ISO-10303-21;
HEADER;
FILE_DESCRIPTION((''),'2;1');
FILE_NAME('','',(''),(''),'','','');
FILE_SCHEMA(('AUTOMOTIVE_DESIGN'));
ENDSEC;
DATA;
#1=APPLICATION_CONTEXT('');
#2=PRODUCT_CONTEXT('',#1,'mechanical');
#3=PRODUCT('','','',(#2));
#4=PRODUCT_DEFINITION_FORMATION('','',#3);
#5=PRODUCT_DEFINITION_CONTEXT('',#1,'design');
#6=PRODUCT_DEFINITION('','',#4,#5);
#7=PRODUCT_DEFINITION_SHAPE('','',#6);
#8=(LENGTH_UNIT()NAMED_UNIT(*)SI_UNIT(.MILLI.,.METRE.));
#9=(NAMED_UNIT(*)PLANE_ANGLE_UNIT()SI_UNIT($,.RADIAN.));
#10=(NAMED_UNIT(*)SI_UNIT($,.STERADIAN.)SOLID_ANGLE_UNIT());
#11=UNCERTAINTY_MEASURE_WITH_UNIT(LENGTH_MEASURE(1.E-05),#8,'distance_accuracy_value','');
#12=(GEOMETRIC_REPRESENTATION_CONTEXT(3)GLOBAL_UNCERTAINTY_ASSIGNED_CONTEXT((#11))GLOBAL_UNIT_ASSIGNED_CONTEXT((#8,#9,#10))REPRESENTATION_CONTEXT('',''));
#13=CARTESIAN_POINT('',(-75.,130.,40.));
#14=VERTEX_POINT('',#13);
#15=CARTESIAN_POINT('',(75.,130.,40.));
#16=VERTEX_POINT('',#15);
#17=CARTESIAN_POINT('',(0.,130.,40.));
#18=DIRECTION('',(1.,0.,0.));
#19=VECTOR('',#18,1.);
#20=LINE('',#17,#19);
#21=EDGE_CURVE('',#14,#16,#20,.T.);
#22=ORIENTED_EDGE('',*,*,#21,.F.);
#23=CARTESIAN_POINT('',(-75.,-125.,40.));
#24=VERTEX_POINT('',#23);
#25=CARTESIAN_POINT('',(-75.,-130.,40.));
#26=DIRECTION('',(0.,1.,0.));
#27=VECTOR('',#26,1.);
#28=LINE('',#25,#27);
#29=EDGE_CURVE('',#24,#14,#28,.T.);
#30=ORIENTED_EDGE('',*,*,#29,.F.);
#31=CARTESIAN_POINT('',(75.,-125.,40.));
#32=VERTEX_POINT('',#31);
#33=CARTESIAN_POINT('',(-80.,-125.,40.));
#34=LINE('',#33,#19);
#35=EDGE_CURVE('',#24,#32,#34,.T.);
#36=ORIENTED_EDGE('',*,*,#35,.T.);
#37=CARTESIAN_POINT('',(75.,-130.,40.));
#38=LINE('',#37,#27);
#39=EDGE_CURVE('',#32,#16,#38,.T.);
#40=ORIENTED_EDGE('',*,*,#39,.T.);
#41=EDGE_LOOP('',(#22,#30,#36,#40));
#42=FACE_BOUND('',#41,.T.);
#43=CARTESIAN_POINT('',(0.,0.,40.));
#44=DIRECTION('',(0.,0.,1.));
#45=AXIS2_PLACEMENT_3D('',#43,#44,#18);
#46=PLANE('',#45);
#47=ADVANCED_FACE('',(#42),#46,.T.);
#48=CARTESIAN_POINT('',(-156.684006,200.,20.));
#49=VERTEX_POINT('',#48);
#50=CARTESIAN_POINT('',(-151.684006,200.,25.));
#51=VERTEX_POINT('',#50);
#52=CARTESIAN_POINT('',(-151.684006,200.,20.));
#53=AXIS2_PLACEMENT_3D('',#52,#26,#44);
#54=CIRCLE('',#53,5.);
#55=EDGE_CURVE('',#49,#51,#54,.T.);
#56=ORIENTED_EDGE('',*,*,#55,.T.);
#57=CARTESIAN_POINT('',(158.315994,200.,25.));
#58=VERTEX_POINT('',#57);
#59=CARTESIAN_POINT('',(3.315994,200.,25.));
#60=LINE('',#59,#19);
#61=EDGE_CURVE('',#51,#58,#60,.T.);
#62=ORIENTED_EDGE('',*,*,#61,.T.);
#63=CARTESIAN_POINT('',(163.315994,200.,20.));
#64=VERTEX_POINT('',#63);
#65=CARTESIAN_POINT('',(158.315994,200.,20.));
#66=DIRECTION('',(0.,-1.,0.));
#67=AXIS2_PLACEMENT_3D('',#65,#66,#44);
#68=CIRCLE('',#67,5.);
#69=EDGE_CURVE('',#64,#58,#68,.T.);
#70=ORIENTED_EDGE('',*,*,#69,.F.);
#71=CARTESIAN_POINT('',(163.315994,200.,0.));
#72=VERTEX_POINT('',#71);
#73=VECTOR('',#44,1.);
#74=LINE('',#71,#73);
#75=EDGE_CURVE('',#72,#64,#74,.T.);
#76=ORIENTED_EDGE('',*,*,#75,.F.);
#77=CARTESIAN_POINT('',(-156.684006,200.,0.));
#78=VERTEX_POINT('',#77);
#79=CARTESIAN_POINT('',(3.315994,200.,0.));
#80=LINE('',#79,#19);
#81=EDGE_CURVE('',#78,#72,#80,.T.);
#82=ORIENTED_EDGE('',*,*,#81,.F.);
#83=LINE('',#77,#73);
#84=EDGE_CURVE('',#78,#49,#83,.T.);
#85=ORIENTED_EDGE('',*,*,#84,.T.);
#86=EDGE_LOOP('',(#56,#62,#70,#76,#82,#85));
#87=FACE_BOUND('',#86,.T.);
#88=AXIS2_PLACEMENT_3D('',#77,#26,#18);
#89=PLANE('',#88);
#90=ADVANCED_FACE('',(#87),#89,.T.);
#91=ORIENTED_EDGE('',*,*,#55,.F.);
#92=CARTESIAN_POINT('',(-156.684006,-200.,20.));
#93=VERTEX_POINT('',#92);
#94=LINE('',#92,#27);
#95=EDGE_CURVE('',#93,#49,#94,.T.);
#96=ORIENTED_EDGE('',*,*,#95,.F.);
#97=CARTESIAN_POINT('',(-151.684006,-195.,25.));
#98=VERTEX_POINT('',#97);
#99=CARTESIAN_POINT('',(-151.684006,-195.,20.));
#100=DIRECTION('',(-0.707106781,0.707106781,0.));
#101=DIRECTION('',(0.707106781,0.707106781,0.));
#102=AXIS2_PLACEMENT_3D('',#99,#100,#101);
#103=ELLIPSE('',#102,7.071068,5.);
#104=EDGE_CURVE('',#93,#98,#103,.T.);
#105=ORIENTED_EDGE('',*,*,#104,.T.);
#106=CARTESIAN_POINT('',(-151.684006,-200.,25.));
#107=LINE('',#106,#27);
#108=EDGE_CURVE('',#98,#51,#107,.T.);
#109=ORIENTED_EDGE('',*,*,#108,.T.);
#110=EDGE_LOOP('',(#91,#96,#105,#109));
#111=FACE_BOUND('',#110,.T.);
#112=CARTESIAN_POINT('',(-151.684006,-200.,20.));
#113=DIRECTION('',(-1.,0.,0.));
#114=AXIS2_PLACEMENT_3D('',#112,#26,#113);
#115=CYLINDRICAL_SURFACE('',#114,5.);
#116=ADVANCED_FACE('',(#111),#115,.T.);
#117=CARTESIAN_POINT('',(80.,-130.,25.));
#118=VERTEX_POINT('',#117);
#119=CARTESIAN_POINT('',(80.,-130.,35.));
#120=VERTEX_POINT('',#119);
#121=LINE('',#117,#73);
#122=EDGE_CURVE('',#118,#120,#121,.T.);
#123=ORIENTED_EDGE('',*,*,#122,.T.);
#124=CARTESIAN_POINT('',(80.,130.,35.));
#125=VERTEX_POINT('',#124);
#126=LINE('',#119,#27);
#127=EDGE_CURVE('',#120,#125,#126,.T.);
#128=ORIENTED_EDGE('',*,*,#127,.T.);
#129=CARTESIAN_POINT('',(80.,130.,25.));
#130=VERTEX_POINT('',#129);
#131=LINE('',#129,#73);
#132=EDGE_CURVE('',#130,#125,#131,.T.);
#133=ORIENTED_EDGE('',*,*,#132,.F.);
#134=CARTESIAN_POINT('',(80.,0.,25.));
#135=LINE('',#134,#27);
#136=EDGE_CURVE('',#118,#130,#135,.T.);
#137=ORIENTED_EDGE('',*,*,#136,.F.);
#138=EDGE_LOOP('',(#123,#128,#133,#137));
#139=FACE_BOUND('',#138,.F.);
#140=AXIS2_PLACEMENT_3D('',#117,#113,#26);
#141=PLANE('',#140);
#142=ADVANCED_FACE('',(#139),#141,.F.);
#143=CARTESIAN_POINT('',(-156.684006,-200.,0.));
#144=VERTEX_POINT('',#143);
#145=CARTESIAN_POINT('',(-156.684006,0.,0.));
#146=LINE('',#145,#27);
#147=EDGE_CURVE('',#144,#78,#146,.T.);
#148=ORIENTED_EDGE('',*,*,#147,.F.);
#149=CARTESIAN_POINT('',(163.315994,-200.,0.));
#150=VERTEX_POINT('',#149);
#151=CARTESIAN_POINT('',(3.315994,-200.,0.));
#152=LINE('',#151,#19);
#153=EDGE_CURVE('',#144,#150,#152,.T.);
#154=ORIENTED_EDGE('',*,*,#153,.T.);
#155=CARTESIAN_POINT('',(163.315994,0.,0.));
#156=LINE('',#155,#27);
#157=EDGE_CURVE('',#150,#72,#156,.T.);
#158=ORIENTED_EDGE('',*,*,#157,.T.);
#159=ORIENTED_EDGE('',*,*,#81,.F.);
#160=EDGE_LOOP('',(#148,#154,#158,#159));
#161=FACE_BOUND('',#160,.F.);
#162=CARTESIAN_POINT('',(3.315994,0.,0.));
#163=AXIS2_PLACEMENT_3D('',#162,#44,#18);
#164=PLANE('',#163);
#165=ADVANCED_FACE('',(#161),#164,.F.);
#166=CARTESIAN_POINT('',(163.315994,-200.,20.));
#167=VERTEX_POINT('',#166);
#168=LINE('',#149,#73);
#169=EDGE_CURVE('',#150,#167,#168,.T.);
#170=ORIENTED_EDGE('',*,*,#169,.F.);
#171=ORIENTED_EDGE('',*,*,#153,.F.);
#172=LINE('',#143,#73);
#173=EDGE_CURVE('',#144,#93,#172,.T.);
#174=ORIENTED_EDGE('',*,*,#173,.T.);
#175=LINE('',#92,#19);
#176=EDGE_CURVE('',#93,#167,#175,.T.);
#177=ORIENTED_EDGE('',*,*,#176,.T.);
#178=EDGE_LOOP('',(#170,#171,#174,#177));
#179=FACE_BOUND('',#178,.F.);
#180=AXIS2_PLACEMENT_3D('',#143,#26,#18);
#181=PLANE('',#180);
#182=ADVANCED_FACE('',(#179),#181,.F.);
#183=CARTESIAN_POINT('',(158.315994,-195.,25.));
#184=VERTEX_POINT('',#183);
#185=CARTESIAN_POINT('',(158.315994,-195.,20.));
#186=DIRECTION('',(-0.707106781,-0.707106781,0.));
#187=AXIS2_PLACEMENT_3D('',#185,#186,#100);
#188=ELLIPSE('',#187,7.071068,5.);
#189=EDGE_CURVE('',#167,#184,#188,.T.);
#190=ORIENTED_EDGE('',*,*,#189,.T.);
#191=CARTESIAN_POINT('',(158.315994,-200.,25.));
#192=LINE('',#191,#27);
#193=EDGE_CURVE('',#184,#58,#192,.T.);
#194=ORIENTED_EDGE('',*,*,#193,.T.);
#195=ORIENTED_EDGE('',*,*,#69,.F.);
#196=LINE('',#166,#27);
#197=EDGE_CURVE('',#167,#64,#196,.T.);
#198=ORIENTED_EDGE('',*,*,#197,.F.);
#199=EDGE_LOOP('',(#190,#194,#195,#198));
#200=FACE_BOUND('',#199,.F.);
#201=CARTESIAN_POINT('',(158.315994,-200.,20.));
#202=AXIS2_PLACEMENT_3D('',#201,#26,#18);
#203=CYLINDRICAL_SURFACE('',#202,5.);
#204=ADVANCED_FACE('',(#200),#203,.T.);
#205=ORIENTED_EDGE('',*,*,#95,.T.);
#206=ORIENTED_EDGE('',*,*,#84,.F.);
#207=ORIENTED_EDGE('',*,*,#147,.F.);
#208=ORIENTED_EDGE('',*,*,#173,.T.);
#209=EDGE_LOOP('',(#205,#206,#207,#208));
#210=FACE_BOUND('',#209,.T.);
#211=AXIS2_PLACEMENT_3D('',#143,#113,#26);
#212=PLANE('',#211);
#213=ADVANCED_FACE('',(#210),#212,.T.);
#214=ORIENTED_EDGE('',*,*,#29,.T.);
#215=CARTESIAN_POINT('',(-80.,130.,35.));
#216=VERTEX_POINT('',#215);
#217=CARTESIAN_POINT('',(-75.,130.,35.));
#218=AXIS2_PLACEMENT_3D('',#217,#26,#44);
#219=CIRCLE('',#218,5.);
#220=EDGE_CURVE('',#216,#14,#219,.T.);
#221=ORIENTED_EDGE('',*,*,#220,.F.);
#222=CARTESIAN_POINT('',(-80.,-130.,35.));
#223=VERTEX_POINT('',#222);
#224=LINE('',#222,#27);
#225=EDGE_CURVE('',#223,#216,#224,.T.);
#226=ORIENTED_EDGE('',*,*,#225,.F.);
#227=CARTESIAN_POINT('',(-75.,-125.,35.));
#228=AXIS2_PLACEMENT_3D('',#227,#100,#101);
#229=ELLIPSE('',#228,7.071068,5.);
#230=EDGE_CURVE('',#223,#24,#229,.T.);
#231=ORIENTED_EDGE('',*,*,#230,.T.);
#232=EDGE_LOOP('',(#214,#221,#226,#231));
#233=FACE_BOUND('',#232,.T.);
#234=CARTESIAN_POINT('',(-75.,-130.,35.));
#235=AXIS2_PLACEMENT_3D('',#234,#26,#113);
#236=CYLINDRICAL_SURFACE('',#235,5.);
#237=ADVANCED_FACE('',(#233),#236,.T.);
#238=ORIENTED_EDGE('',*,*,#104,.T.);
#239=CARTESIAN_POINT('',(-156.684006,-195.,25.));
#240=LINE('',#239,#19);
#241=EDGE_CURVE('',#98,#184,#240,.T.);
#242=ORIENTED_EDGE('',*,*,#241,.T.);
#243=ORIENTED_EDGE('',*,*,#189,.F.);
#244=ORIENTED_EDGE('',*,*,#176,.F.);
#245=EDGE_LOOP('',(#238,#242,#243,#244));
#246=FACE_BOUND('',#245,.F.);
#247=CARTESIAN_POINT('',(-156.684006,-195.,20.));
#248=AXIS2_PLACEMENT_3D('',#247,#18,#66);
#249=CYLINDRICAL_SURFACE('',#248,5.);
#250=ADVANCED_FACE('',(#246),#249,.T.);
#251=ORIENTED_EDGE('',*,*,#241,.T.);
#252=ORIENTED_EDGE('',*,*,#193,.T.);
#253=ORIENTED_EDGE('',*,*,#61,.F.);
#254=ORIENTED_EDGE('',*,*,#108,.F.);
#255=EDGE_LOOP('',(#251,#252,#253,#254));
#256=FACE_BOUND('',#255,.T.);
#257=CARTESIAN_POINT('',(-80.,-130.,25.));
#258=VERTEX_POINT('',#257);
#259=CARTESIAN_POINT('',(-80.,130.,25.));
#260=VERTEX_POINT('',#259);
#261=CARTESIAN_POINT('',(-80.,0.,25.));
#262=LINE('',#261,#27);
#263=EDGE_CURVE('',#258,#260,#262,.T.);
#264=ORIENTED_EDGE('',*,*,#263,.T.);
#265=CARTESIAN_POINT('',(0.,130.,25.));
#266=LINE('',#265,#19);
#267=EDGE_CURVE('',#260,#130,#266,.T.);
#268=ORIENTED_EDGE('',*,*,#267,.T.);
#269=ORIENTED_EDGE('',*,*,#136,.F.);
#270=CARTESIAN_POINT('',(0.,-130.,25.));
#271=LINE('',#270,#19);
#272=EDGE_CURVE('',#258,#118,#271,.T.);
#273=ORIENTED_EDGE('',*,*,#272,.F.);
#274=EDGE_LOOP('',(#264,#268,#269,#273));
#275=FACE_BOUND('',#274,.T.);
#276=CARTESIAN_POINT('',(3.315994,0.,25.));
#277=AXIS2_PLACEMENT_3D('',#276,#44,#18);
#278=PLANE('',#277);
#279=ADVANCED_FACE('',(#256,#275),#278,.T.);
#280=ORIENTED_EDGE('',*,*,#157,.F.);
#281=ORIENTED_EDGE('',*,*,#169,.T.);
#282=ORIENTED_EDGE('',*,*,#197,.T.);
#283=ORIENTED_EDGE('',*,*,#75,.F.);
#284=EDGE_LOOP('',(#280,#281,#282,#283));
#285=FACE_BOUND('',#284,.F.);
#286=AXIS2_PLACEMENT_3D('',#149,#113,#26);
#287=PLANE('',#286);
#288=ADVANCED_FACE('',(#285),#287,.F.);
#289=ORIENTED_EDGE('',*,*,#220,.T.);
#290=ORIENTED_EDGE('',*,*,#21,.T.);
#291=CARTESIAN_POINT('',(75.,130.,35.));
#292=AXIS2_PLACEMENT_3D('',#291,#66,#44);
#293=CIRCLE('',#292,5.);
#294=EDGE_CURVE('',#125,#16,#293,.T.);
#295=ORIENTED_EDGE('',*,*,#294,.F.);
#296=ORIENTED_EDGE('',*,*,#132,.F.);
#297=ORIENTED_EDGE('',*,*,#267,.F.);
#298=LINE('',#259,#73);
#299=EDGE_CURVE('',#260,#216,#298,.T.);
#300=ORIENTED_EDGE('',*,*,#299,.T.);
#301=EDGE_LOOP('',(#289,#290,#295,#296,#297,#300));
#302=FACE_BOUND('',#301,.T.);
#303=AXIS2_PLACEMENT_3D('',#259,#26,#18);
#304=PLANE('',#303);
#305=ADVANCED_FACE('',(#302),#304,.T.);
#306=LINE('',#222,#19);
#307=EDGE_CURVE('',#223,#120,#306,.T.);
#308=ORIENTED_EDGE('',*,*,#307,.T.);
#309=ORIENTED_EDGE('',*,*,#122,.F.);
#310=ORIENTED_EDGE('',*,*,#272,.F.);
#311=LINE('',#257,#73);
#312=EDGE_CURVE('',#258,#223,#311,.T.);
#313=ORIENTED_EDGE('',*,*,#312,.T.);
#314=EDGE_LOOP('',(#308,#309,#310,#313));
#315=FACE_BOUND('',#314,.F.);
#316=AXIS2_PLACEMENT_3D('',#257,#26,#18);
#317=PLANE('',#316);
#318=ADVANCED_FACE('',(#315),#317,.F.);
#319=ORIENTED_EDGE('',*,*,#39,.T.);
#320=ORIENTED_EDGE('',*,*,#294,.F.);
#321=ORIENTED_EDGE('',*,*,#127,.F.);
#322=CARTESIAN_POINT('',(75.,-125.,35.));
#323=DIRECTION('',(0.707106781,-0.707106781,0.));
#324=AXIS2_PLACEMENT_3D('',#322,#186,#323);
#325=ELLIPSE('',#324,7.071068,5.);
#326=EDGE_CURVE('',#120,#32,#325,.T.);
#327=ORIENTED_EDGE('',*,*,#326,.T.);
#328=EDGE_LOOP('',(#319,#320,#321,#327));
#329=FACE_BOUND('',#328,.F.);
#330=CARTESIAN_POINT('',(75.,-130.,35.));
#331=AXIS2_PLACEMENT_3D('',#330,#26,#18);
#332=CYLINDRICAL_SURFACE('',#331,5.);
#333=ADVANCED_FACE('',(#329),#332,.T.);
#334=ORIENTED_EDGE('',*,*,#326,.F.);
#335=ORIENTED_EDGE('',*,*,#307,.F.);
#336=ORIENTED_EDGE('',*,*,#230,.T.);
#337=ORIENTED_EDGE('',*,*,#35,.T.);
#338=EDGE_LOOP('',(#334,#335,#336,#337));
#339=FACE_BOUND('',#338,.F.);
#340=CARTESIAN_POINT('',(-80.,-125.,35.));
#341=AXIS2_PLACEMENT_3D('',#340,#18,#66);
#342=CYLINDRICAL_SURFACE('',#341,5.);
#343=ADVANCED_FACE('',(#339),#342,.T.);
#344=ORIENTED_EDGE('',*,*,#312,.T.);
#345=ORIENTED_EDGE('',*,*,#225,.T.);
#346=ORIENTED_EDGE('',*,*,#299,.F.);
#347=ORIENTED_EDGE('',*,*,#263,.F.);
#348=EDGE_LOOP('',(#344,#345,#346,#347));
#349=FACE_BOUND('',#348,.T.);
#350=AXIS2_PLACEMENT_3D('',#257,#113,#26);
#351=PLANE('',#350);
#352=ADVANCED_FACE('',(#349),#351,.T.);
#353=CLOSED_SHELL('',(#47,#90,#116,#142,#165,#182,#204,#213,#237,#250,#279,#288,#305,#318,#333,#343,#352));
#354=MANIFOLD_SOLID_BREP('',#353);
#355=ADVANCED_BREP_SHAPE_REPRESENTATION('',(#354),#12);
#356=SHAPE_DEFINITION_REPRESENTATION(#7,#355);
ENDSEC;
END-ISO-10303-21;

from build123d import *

# Parameters (mm, degrees)
F0_W     = 320
F0_H     = 400
F1_DEPTH = 25
F3_R     = 5
F4_W     = 160
F4_H     = 260
F5_DEPTH = 15
F6_R     = 5


with BuildPart() as f1:
    # F0 (on Top) → F1 (new body)
    with BuildSketch(Plane.XY):
        with Locations((3.315994, 0)):
            Rectangle(F0_W, F0_H)
    extrude(amount=F1_DEPTH)

    # F3
    f3_edges = [f1.edges().sort_by_distance(p)[0] for p in [
        (-156.684006, 0, 25),
        (163.315994, 0, 25),
        (3.315994, -200, 25),
    ]]
    fillet(f3_edges, radius=F3_R)

    # F4 (on face) → F5 (join)
    with BuildSketch(Plane.XY.offset(25)):
        Rectangle(F4_W, F4_H)
    extrude(amount=F5_DEPTH)

    # F6
    f6_edges = [f1.edges().sort_by_distance(p)[0] for p in [
        (-80, 0, 40),
        (0, -130, 40),
        (80, 0, 40),
    ]]
    fillet(f6_edges, radius=F6_R)


solid = f1.part
